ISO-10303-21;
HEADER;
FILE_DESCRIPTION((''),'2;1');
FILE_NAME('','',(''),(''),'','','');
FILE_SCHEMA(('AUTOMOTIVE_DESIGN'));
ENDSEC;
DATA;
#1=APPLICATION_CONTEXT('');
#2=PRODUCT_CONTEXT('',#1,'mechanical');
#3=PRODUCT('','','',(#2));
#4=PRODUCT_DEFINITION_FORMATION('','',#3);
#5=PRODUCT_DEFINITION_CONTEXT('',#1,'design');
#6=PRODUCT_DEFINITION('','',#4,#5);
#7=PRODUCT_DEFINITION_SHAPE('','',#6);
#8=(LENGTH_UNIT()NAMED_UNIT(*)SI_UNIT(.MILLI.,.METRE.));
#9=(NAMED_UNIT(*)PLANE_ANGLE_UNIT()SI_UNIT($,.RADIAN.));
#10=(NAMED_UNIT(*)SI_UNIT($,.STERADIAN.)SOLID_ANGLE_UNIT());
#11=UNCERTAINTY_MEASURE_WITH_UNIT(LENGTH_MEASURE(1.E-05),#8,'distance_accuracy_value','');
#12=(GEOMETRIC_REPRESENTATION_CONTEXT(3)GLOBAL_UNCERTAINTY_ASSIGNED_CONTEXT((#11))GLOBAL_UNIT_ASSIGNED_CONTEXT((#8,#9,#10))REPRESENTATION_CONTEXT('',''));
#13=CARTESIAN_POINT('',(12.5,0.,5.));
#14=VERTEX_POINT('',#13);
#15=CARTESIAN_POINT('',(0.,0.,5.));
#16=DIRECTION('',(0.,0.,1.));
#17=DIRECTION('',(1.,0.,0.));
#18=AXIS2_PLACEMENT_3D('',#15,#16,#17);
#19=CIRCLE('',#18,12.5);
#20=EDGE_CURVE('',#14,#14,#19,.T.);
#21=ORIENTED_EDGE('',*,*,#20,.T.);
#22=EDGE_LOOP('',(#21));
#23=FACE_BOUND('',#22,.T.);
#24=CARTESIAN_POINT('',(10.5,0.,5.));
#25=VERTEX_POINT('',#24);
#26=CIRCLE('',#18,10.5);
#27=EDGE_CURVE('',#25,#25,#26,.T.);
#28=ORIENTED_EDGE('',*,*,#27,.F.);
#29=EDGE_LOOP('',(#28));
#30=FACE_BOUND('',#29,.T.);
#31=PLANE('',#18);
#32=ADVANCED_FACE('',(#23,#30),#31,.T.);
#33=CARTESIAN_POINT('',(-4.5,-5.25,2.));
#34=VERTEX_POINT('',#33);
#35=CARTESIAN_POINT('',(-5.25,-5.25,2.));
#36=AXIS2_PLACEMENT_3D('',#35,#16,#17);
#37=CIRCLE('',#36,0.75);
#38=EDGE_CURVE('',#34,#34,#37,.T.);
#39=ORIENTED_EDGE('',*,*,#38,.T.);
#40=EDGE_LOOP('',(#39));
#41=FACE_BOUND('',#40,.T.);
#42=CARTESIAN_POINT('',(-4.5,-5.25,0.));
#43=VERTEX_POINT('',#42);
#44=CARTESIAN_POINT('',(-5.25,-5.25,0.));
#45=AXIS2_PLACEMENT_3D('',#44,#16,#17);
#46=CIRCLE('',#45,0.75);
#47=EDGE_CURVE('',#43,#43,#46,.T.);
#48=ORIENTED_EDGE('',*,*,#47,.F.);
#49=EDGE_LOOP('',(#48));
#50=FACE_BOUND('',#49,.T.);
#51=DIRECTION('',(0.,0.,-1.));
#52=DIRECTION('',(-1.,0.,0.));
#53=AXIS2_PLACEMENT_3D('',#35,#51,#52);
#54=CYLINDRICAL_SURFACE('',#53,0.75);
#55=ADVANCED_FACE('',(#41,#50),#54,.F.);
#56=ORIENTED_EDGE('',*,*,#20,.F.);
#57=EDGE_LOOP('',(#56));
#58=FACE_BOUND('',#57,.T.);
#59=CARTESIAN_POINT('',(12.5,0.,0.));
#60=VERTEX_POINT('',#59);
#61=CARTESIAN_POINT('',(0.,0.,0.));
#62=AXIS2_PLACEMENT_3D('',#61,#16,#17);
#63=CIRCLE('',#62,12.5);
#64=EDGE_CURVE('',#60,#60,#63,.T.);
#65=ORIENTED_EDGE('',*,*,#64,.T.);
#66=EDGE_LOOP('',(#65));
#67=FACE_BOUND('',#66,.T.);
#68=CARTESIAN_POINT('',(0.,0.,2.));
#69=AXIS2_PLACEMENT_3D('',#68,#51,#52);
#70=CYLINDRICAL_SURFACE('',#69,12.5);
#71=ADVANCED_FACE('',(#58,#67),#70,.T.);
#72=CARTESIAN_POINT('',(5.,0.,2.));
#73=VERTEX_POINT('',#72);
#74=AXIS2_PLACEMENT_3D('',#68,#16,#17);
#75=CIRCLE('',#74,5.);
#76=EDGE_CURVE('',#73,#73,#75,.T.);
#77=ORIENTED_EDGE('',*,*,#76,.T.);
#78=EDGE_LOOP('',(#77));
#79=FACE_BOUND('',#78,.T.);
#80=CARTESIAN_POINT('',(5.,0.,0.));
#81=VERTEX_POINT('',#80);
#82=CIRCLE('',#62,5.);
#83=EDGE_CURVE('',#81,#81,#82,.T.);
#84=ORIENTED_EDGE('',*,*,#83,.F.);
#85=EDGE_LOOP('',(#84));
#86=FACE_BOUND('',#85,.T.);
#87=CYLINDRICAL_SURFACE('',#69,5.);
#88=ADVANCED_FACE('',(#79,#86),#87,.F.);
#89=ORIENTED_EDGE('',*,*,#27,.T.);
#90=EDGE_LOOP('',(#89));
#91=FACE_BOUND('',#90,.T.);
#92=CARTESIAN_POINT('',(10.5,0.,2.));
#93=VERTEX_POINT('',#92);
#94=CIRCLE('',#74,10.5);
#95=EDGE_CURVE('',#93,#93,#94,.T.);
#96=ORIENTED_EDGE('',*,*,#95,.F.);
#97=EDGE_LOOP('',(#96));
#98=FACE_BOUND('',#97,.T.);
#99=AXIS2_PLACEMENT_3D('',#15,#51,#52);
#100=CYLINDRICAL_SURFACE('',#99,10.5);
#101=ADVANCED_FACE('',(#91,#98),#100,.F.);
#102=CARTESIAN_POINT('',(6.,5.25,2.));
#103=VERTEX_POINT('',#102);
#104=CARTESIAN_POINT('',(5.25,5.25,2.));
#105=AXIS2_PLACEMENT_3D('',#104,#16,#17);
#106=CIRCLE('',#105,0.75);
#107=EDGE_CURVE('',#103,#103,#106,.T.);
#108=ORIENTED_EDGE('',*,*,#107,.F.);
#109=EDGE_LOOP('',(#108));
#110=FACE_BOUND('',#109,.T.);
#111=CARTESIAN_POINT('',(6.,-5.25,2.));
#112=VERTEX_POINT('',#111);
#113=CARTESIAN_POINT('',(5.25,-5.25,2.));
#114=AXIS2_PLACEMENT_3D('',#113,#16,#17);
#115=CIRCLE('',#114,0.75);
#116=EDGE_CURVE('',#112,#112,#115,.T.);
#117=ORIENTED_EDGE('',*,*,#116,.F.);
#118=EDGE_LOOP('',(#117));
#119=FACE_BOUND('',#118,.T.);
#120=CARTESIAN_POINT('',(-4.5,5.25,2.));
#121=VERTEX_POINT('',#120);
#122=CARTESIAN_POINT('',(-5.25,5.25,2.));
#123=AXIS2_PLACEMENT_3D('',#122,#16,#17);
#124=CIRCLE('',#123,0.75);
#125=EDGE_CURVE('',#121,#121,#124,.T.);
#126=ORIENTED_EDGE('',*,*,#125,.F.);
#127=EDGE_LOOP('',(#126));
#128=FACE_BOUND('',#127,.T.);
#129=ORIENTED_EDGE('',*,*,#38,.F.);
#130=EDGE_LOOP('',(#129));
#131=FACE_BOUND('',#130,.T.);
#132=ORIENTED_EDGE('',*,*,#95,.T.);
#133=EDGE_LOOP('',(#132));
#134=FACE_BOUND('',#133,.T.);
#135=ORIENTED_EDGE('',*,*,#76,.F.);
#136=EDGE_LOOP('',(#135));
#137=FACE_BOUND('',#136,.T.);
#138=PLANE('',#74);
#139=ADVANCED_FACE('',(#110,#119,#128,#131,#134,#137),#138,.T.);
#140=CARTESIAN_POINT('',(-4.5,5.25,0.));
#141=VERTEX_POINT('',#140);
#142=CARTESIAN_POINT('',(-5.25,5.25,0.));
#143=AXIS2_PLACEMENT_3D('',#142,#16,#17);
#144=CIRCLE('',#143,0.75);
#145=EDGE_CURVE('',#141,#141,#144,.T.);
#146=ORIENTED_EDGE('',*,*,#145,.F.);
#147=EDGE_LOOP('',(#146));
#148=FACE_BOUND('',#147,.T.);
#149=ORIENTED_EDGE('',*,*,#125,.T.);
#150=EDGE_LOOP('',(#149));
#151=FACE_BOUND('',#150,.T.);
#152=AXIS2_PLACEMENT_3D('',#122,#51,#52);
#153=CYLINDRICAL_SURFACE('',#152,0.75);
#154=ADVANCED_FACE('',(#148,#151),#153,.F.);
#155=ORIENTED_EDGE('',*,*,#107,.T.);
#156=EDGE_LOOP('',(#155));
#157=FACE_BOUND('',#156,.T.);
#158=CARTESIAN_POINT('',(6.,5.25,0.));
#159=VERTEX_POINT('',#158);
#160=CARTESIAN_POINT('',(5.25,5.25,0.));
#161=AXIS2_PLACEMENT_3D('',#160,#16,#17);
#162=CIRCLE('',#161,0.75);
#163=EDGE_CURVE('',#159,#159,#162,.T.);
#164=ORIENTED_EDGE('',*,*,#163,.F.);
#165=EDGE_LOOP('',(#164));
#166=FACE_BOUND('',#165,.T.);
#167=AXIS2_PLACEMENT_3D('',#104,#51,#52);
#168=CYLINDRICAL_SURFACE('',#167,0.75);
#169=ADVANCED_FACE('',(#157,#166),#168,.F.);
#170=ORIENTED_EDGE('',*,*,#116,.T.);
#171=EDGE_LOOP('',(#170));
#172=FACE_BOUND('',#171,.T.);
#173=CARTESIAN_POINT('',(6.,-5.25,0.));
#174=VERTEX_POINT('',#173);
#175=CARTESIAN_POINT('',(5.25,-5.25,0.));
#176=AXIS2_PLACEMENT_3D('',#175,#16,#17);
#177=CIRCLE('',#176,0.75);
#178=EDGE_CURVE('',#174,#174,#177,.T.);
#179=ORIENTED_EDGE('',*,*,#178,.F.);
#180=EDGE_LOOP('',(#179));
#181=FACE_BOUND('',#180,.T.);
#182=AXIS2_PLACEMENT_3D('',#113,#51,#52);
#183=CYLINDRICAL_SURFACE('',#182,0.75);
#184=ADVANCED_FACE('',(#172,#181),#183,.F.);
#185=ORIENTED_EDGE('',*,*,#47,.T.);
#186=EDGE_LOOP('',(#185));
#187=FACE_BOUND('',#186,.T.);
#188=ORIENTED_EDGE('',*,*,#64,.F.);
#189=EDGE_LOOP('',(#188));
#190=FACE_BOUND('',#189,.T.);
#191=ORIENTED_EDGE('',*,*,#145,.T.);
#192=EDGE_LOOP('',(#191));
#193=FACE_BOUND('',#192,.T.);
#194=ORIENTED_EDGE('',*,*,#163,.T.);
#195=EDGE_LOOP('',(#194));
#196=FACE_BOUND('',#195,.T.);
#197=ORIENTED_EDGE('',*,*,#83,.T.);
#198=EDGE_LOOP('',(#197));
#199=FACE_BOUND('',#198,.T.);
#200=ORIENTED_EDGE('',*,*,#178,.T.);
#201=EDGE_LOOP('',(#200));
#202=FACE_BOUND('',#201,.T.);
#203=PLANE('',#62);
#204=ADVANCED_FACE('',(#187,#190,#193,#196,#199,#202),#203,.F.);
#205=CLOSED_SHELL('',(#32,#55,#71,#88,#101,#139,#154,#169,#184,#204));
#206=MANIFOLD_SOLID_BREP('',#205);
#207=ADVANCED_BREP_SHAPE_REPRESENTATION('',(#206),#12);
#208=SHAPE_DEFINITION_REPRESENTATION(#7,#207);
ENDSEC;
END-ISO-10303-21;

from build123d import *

# Parameters (mm, degrees)
ESQUISSE1_R        = 12.5
ESQUISSE1_R_2      = 5
ESQUISSE1_R_3      = 0.75
BOSS_EXTRU_1_DEPTH = 2
ESQUISSE2_R        = 12.5
ESQUISSE2_R_2      = 10.5
BOSS_EXTRU_2_DEPTH = 3


with BuildPart() as part:
    # Esquisse1 → Boss.-Extru.1 (new body)
    with BuildSketch(Plane.XY):
        Circle(ESQUISSE1_R)
        Circle(ESQUISSE1_R_2, mode=Mode.SUBTRACT)
        with Locations((-5.25, 5.25)):
            Circle(ESQUISSE1_R_3, mode=Mode.SUBTRACT)
        with Locations((5.25, 5.25)):
            Circle(ESQUISSE1_R_3, mode=Mode.SUBTRACT)
        with Locations((5.25, -5.25)):
            Circle(ESQUISSE1_R_3, mode=Mode.SUBTRACT)
        with Locations((-5.25, -5.25)):
            Circle(ESQUISSE1_R_3, mode=Mode.SUBTRACT)
    extrude(amount=BOSS_EXTRU_1_DEPTH)

    # Esquisse2 → Boss.-Extru.2 (add)
    with BuildSketch(Plane.XY.offset(2)):
        Circle(ESQUISSE2_R)
        Circle(ESQUISSE2_R_2, mode=Mode.SUBTRACT)
    extrude(amount=BOSS_EXTRU_2_DEPTH)


solid = part.part
